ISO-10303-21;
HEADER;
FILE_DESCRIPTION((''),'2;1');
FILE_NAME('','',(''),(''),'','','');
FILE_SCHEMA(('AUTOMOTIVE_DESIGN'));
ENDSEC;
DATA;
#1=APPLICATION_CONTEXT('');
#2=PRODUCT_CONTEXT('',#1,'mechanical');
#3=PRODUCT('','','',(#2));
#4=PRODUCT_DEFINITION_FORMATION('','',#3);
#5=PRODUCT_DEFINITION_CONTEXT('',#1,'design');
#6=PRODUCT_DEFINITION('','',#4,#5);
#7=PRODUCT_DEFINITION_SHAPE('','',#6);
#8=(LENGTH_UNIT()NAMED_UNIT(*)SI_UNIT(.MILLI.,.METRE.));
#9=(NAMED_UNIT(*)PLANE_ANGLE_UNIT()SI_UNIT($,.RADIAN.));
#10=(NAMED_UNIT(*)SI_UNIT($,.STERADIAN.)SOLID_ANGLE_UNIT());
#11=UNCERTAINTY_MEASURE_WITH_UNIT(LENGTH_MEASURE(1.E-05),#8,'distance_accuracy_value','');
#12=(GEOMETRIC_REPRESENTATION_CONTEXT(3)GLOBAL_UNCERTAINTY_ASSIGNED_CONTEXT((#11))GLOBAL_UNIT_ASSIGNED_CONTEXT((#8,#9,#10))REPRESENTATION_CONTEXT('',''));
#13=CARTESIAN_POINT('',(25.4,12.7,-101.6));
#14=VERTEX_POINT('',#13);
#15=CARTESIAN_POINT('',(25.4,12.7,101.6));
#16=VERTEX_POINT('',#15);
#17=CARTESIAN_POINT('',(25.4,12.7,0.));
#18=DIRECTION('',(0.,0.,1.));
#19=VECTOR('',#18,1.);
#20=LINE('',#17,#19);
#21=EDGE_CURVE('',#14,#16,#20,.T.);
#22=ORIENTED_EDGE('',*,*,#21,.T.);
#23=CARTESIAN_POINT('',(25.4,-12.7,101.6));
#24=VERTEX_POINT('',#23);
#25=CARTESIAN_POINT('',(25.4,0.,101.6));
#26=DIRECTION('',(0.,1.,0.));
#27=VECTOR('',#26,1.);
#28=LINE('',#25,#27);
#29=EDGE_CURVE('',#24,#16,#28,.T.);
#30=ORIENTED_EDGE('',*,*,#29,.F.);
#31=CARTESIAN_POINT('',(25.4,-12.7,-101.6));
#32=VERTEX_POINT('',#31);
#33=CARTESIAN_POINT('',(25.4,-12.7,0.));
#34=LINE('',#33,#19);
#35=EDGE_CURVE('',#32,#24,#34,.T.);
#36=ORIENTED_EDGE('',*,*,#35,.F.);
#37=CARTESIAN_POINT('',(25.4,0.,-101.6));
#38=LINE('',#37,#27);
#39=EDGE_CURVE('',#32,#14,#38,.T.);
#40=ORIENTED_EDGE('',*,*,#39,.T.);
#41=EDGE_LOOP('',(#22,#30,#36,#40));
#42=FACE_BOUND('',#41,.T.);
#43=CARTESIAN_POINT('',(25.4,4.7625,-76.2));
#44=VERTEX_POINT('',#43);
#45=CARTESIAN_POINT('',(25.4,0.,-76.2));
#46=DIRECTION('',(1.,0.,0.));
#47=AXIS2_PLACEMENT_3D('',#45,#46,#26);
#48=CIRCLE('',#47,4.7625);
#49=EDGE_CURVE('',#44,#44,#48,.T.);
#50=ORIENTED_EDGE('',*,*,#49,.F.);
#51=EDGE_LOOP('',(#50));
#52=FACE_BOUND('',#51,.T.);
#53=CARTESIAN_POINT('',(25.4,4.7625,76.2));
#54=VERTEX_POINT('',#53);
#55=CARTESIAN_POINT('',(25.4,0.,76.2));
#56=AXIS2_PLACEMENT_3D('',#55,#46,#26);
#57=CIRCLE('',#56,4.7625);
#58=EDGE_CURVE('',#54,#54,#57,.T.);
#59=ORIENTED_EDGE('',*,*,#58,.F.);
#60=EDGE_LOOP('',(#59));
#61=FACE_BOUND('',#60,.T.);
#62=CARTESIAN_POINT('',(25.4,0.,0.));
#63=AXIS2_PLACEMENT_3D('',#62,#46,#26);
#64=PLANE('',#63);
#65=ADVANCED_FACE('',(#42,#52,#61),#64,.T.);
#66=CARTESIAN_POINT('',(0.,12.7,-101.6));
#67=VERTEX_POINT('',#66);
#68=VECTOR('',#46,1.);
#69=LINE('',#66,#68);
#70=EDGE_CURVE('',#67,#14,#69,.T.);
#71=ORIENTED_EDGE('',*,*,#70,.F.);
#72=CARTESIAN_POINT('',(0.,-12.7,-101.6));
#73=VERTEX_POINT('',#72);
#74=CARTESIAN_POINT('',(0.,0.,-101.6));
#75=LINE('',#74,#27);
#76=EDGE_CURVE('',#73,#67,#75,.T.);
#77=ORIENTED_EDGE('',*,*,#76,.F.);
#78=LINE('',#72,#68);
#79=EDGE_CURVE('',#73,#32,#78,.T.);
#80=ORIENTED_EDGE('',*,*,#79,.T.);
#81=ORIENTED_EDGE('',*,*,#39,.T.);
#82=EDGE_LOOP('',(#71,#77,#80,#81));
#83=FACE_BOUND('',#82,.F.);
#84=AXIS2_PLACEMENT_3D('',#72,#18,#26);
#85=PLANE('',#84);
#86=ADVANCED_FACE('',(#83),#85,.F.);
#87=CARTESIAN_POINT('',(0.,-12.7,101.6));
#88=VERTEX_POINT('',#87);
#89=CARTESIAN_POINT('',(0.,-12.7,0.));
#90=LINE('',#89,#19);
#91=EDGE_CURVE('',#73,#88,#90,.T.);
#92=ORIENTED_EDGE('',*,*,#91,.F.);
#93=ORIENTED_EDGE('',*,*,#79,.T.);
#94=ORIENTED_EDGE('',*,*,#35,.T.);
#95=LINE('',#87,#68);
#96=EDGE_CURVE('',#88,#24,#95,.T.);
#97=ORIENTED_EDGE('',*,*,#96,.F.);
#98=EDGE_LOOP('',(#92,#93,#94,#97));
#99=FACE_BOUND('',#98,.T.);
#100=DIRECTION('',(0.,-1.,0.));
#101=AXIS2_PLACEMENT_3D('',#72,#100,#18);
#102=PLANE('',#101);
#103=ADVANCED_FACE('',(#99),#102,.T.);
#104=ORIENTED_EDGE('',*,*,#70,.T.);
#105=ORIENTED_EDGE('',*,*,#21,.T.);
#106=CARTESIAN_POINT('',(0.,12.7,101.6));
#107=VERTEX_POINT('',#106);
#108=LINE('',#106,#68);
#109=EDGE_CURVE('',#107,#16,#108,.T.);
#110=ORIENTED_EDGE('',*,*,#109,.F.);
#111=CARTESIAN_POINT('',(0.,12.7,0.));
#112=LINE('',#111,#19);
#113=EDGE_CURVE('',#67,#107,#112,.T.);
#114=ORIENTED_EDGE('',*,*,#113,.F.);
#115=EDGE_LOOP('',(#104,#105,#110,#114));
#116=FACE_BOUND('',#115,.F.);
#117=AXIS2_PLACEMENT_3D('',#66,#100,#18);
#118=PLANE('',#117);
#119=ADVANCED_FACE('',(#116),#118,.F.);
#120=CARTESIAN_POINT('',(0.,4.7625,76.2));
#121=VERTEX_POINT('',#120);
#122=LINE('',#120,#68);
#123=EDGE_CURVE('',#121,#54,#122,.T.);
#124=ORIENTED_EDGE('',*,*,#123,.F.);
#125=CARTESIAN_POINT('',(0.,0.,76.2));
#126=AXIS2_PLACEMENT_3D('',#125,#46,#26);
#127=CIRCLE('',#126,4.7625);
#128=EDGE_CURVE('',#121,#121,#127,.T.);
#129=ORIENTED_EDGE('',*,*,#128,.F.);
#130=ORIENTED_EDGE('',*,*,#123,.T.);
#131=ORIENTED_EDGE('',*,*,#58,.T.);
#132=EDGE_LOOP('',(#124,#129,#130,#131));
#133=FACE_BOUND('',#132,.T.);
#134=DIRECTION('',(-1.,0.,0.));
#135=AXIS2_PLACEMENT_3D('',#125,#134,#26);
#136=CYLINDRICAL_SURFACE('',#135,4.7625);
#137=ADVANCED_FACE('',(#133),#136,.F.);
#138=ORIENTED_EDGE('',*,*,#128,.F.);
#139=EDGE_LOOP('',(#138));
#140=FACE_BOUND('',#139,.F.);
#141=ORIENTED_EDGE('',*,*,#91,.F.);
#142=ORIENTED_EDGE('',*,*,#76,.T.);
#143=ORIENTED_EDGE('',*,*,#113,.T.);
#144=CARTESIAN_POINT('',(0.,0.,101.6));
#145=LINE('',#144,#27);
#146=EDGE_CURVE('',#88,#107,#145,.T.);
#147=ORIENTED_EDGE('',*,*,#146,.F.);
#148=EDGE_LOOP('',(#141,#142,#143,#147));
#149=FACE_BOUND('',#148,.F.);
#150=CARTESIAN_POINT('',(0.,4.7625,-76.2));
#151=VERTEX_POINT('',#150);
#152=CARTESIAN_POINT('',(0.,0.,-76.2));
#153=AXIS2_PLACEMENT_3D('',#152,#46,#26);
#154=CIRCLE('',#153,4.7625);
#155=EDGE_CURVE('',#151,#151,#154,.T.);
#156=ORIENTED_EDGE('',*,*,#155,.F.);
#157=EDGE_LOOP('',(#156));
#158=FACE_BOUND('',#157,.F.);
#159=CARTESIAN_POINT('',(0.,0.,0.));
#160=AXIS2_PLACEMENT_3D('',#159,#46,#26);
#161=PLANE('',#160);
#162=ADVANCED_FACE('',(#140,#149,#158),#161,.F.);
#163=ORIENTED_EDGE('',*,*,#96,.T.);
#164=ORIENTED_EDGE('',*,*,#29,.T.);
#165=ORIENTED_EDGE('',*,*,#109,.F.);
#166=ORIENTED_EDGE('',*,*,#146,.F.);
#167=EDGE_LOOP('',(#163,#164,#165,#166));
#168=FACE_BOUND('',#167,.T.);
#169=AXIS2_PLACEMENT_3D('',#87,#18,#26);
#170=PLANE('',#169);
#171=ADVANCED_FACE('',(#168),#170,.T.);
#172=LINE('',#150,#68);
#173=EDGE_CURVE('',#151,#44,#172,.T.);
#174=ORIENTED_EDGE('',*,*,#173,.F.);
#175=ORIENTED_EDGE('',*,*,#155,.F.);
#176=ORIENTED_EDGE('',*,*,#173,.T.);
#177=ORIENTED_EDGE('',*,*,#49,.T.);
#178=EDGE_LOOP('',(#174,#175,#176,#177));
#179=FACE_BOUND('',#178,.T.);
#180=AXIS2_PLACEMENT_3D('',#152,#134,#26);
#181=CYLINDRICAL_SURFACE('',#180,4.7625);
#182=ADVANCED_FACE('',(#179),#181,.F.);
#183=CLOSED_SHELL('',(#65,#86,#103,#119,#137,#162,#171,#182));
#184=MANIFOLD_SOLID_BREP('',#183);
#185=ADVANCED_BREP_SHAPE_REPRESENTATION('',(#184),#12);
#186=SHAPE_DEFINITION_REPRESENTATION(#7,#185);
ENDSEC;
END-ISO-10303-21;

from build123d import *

# Parameters (mm, degrees)
F0_W     = 25.4
F0_H     = 203.2
F0_R     = 4.7625
F1_DEPTH = 25.4


with BuildPart() as f1:
    # F0 (on Right) → F1 (new body)
    with BuildSketch(Plane.YZ):
        Rectangle(F0_W, F0_H)
        with Locations((0, -76.2)):
            Circle(F0_R, mode=Mode.SUBTRACT)
        with Locations((0, 76.2)):
            Circle(F0_R, mode=Mode.SUBTRACT)
    extrude(amount=F1_DEPTH)


solid = f1.part
